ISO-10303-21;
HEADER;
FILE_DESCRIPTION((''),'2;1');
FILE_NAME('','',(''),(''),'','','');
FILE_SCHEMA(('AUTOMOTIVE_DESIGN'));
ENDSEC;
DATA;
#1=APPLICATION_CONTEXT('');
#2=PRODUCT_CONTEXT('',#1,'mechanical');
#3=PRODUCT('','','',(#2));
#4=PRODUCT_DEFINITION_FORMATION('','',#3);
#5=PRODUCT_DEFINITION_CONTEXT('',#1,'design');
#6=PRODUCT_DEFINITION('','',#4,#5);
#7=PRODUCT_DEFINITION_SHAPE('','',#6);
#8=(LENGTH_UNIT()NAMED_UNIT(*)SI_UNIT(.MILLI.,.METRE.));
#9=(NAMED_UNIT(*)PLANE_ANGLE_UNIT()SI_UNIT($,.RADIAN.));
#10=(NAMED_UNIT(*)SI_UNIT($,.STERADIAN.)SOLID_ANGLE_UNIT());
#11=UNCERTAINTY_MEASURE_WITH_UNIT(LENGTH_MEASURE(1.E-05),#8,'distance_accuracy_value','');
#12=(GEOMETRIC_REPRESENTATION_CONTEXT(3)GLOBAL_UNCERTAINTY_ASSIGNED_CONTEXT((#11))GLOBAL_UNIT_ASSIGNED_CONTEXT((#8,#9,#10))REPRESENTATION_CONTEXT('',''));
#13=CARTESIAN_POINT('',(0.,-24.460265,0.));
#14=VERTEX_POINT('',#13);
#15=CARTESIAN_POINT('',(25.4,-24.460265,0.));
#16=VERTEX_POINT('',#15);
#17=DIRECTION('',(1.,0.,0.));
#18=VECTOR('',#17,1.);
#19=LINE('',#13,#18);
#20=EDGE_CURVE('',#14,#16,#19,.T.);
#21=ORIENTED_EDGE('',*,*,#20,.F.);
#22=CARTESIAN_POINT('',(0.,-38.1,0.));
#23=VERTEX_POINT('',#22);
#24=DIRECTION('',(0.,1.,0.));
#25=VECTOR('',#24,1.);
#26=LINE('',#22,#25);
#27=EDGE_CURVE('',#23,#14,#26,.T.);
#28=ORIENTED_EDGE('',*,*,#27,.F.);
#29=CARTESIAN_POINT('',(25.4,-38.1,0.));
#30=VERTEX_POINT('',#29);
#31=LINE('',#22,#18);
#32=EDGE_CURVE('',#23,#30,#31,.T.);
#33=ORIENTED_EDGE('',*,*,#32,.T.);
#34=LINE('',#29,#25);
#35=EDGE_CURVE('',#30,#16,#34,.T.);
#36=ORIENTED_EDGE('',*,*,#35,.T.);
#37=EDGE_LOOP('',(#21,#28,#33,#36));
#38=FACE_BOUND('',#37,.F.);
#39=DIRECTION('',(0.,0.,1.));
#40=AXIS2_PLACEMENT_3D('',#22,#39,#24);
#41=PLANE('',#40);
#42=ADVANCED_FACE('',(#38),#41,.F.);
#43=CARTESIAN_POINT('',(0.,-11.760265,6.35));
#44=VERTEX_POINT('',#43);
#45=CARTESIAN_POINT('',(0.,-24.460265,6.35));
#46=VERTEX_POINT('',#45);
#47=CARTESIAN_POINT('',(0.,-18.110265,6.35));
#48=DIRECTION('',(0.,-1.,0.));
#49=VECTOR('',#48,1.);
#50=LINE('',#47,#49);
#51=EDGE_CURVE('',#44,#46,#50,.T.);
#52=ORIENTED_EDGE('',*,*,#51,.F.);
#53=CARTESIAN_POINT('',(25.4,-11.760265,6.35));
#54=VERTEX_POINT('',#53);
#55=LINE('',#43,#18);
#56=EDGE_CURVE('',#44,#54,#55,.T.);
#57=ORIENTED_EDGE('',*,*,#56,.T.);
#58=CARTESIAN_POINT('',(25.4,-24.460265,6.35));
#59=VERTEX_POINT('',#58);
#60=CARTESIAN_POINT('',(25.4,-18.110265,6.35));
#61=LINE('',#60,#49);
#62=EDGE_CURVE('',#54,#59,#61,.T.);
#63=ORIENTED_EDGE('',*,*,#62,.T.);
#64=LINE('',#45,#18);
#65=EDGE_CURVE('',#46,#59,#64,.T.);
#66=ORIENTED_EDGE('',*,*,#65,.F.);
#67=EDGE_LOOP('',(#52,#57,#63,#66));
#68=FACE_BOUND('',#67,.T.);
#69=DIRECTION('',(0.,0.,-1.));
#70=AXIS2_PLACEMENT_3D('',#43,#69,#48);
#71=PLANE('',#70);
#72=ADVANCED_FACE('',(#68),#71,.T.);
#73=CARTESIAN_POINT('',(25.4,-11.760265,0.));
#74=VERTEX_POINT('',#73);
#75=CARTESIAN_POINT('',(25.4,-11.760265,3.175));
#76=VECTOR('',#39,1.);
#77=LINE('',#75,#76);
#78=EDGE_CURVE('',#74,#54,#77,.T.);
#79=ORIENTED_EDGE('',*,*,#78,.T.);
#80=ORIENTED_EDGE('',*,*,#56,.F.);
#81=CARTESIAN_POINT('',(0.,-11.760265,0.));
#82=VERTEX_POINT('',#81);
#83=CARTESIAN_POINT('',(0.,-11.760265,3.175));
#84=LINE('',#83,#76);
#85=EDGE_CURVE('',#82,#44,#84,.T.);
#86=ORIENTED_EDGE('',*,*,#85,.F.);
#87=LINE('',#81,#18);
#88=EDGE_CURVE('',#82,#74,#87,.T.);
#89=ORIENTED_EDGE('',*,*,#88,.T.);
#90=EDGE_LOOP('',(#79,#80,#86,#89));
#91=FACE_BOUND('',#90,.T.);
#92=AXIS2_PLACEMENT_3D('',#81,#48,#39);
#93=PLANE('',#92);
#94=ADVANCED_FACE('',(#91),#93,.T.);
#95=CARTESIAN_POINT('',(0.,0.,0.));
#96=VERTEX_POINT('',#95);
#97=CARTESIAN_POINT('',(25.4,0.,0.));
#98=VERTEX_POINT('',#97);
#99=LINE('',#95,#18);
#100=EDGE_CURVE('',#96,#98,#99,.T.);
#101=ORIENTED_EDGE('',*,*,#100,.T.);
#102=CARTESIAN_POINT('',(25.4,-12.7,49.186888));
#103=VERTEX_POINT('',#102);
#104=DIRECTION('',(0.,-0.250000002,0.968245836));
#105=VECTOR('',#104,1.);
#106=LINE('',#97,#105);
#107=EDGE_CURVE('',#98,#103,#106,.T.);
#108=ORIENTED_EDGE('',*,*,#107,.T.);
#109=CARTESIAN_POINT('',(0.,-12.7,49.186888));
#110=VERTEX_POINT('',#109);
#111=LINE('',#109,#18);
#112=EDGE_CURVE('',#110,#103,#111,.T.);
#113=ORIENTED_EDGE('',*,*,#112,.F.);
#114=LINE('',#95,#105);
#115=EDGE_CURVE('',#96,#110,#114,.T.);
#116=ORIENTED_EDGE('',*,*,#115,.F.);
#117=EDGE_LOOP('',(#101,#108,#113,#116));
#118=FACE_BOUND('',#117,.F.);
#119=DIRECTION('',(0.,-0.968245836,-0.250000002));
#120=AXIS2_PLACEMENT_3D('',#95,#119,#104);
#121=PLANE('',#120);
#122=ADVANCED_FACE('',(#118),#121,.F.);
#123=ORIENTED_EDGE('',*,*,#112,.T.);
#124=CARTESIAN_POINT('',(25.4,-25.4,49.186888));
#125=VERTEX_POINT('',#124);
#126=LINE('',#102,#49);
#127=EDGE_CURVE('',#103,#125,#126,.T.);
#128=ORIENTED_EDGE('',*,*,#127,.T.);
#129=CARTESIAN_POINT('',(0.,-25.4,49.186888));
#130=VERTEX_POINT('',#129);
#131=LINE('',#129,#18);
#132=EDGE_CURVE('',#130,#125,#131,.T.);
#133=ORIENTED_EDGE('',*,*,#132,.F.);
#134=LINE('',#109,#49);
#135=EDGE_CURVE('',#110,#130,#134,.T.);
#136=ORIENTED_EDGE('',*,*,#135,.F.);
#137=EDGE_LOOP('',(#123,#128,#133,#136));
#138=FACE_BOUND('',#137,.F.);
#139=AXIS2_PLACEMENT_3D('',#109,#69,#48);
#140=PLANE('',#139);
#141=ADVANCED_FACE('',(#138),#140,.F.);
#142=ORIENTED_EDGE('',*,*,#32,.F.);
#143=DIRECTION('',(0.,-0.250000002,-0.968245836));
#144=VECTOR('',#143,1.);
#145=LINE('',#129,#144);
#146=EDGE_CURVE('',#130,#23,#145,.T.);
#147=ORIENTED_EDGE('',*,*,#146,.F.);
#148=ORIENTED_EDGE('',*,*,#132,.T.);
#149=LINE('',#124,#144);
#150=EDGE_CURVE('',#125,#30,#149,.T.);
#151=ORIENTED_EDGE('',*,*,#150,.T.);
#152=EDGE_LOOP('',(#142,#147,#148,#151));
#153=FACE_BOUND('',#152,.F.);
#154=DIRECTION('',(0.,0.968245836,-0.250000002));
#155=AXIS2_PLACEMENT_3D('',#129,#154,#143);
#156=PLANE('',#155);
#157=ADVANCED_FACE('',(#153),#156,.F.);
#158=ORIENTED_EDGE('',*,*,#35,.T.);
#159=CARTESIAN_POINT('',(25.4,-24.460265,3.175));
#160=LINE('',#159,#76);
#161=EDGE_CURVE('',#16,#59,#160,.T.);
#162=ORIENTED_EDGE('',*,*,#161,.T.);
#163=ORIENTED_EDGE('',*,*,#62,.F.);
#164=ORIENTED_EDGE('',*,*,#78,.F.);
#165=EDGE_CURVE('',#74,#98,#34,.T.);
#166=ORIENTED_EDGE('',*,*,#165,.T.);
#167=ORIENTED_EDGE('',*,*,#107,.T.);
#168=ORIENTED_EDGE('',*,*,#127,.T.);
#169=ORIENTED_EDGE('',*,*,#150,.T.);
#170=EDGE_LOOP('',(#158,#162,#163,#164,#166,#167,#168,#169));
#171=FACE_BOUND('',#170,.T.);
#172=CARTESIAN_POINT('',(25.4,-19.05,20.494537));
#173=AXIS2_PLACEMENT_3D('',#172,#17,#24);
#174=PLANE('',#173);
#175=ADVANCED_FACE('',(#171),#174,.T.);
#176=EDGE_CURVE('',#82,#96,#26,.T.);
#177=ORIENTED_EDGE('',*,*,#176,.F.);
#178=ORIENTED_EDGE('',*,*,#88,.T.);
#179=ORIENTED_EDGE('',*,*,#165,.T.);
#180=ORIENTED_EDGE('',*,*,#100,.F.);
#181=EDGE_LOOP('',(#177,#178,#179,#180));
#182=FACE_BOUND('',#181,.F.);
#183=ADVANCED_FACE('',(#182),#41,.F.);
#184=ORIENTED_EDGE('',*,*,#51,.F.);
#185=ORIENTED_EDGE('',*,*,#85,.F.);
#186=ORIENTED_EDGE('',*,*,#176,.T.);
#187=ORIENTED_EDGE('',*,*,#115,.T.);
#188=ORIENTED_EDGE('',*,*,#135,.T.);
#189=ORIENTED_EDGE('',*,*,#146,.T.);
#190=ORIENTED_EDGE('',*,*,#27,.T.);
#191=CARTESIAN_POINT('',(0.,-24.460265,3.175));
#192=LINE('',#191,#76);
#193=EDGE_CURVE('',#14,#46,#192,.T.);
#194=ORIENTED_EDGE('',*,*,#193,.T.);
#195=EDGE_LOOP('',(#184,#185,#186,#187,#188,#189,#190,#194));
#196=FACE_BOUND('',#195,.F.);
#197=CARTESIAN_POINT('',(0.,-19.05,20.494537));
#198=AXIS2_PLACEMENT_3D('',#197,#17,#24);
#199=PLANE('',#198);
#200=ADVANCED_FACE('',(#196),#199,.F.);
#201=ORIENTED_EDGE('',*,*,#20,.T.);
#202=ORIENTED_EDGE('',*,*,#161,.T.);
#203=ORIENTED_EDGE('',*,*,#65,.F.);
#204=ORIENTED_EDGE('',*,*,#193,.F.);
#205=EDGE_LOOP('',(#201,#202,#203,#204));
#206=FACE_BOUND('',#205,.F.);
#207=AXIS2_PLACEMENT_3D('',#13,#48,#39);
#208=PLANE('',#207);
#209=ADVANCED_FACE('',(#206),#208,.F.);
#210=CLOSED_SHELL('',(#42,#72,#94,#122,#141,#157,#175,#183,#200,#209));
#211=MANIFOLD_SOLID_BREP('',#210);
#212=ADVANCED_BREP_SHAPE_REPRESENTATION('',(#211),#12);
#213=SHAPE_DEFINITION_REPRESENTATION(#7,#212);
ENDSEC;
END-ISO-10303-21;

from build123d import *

# Parameters (mm, degrees)
F1_DEPTH = 25.4
F2_W     = 12.7
F2_H     = 6.35
F3_DEPTH = 25.4


with BuildPart() as f1:
    # F0 (on Right) → F1 (new body)
    with BuildSketch(Plane.YZ):
        Polygon((-38.1, 0), (0, 0), (-12.7, 49.186888), (-25.4, 49.186888), align=None)
    extrude(amount=F1_DEPTH)

    # F2 (on face) → F3 (cut)
    with BuildSketch(Plane(origin=(0, 0, 0), x_dir=(0, -1, 0), z_dir=(-1, 0, 0))):
        with Locations((18.110265, 3.175)):
            Rectangle(F2_W, F2_H)
    extrude(amount=-F3_DEPTH, mode=Mode.SUBTRACT)


solid = f1.part
